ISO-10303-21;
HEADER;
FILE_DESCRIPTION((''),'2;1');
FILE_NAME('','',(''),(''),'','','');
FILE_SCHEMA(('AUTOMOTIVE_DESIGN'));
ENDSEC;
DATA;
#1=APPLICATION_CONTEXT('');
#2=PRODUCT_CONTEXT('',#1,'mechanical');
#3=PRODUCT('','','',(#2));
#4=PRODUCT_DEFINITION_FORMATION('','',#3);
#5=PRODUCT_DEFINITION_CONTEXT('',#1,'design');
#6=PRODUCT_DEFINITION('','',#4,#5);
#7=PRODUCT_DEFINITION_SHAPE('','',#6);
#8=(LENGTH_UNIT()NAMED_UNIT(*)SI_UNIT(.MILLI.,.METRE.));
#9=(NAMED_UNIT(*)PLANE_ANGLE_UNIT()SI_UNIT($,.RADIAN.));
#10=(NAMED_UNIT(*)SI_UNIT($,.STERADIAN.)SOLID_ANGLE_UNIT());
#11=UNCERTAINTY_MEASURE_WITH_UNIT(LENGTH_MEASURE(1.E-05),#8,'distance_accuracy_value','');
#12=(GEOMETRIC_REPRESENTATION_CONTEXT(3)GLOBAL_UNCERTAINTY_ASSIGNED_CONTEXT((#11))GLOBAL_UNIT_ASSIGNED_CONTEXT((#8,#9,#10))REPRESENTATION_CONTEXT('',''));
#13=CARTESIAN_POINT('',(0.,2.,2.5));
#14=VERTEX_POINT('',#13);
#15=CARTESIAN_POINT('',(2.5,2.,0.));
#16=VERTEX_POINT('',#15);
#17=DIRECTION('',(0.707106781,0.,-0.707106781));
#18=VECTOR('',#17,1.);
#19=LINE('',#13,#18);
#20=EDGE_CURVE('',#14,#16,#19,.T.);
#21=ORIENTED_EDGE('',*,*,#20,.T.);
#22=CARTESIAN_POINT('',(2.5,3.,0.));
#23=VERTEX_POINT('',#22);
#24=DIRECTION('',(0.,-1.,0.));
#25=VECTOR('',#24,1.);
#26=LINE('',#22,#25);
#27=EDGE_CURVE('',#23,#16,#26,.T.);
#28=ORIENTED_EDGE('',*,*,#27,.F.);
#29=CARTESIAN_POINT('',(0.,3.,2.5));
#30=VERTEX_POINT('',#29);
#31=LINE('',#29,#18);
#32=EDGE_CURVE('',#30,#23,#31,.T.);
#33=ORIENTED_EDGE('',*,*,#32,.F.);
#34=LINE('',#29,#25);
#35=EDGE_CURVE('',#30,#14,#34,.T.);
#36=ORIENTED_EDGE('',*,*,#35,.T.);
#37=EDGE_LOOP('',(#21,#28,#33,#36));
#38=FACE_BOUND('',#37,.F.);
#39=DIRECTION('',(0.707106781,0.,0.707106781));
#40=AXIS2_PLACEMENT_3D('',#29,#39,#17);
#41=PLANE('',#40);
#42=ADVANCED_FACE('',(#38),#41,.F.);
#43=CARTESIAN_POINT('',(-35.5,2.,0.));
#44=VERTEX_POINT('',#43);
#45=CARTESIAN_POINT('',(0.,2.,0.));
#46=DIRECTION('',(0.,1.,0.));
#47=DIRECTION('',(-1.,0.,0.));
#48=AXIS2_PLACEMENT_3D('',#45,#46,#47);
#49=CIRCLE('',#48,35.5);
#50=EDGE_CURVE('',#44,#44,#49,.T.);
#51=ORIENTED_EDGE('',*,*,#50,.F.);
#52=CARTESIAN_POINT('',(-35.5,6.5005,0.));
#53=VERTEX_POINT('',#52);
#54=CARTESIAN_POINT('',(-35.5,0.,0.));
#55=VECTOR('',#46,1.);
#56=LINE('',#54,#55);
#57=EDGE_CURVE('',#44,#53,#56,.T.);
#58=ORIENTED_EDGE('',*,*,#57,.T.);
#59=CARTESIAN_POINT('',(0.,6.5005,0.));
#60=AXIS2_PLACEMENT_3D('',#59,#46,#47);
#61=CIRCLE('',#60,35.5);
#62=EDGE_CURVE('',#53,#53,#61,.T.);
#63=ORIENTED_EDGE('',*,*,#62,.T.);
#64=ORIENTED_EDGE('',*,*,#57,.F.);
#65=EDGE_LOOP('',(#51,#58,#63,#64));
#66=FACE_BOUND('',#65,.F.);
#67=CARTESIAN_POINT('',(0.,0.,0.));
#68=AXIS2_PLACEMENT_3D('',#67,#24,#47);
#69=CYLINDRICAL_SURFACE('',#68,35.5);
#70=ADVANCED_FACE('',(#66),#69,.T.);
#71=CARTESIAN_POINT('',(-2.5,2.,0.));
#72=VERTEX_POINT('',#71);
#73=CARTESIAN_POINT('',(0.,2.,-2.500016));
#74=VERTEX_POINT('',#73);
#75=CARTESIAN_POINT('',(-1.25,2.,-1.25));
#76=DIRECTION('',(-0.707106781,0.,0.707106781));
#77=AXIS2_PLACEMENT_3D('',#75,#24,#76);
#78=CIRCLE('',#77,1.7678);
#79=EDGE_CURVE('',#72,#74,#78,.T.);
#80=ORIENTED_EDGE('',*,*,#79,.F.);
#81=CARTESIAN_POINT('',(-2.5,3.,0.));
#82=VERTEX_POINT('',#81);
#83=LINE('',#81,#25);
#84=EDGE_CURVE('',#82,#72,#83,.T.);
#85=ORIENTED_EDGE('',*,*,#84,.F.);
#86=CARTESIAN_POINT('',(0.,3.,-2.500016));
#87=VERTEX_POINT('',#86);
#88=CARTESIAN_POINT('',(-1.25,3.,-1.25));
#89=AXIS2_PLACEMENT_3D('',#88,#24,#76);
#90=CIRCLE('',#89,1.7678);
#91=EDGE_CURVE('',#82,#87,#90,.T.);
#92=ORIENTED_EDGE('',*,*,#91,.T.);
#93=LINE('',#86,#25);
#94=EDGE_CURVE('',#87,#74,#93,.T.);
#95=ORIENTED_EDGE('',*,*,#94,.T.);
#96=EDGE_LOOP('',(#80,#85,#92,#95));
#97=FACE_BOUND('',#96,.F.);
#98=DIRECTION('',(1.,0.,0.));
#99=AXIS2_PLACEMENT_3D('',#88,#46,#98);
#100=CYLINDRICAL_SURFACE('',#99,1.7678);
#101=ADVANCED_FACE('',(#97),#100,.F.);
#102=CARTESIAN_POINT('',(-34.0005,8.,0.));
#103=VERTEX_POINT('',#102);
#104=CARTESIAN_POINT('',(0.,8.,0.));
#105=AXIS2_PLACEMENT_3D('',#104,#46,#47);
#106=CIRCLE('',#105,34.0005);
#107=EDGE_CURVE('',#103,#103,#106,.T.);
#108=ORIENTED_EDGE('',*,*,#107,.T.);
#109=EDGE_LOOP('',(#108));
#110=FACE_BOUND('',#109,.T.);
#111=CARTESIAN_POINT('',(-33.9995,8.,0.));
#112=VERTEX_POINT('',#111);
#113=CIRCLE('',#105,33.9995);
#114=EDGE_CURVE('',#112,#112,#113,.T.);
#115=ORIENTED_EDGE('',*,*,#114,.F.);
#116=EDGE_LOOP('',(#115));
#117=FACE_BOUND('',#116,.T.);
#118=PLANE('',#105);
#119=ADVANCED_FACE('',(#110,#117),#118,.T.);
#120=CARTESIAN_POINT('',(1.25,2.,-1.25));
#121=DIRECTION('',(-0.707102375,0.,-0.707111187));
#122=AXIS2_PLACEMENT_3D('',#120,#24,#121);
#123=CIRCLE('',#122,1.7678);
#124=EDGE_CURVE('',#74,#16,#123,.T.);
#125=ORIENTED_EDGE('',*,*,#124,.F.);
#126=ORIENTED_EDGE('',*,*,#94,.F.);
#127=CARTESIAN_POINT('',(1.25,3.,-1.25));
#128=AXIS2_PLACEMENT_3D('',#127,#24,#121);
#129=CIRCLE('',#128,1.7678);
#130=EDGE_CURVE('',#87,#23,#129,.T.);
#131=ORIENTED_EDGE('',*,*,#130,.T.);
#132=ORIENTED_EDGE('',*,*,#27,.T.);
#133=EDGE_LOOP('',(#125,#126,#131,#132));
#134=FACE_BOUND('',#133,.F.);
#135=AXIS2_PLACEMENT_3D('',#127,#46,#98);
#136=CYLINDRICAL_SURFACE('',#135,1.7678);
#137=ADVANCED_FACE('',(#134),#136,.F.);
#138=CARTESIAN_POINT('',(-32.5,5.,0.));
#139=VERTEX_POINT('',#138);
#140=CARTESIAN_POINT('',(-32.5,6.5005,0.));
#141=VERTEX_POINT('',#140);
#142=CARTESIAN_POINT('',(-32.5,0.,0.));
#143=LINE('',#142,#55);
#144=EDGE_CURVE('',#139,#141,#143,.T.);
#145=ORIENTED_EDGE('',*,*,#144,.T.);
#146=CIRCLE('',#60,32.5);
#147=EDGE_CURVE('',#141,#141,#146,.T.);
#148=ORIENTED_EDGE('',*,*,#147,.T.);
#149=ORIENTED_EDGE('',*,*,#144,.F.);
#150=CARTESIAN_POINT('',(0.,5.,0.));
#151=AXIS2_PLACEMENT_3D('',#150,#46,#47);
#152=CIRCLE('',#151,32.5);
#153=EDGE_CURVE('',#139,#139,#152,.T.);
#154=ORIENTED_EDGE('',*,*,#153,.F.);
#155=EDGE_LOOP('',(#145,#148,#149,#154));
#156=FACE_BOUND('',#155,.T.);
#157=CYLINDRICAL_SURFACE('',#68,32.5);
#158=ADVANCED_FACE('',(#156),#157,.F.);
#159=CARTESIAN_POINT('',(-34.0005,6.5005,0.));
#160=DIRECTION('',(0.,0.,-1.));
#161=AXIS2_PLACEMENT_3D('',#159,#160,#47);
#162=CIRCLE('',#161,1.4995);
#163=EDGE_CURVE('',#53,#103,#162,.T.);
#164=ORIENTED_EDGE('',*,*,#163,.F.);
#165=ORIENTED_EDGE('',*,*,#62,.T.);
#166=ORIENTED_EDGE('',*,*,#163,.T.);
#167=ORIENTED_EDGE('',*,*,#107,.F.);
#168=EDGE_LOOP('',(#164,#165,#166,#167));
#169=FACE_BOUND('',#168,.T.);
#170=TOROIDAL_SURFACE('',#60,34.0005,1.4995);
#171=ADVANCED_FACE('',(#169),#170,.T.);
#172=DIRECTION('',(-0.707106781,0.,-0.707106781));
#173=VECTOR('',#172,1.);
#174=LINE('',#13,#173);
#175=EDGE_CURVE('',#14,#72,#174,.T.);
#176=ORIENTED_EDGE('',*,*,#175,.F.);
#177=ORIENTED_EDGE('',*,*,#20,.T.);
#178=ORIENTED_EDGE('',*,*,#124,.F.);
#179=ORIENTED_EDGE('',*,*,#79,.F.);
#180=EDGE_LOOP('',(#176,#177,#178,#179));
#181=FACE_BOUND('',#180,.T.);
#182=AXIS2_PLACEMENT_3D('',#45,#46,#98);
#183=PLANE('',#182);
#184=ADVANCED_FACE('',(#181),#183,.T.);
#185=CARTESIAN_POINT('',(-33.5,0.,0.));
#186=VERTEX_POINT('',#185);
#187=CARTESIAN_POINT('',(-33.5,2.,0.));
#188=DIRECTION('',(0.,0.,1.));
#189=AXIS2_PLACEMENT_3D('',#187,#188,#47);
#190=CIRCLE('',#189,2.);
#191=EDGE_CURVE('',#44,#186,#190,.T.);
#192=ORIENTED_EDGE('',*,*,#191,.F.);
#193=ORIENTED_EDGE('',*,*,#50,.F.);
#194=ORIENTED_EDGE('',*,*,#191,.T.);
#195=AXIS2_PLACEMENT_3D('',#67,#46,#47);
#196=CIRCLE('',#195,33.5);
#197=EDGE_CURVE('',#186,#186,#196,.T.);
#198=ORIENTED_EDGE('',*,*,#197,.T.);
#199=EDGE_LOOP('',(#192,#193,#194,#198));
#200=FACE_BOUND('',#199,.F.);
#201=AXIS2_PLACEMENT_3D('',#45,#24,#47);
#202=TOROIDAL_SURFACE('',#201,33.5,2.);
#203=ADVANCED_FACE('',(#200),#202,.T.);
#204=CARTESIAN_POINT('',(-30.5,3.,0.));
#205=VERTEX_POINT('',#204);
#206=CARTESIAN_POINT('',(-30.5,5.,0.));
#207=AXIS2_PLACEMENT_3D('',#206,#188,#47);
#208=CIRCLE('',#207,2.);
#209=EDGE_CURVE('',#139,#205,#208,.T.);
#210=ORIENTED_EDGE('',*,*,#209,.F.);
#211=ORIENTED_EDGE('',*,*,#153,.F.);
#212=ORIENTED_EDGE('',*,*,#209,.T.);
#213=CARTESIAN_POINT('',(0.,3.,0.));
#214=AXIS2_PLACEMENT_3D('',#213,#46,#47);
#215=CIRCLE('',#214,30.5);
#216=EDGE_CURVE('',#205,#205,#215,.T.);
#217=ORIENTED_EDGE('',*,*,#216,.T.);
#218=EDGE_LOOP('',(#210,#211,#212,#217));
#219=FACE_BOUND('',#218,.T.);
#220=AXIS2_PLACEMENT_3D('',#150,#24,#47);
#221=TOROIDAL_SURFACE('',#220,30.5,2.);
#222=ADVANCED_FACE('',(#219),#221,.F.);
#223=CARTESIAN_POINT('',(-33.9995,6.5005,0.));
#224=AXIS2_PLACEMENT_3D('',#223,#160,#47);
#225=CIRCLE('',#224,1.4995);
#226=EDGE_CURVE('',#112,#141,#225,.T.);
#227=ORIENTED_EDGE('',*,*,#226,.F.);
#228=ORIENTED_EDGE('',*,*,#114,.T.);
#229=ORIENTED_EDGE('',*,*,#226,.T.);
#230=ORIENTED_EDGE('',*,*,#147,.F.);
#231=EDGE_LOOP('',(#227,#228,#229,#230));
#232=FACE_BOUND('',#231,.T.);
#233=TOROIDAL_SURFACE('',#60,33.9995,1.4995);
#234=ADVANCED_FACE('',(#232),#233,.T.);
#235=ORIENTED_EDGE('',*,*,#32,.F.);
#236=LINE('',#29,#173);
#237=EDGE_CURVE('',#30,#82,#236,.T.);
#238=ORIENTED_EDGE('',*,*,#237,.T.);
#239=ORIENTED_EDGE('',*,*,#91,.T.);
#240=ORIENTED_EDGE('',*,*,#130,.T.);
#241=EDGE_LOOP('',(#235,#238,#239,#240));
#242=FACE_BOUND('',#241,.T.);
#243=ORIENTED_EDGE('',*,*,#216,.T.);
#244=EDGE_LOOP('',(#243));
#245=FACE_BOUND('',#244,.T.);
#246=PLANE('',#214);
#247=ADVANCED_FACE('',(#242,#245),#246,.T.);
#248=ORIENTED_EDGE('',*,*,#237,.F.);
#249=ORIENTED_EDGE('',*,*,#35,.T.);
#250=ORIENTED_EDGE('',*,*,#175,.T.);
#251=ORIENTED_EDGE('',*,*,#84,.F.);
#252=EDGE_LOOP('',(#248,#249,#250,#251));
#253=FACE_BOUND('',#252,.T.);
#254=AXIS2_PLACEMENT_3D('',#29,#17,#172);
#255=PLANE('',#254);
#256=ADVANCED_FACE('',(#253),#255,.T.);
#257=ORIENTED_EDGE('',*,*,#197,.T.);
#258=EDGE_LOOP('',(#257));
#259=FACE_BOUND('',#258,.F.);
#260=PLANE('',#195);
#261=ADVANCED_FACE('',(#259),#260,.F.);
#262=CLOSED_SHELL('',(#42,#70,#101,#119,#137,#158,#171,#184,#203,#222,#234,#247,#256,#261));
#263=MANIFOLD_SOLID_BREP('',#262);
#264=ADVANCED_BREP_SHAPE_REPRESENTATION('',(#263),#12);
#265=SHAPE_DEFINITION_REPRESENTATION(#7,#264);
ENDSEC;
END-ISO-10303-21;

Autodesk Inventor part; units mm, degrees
ref_plane "YZ Plane" through (0, 0, 0) normal (1, 0, 0) x (0, 1, 0)
ref_plane "XZ Plane" through (0, 0, 0) normal (0, 1, 0) x (-1, 0, 0)
ref_plane "XY Plane" through (0, 0, 0) normal (0, 0, 1) x (1, 0, 0)
sketch "Sketch1" plane through (0, 0, 0) normal (0, 1, 0) x (-1, 0, 0)
  circle A0 centre (0, 0) radius 32.5
  circle A1 centre (0, 0) radius 35.5
  dimension "d0" = 65
  dimension "d1" = 71
extrude "Extrusion1" add sketch "Sketch1" along normal blind 8
extrude "Extrusion2" add sketch "Sketch1" along normal blind 3 contours A0
fillet "Fillet1" radius 2 2 edges at (35.5, 0, 0) (32.5, 3, 0)
fillet "Fillet2" radius 1.5 2 edges at (32.5, 8, 0) (35.5, 8, 0)
sketch "Sketch2" plane through (0, 3, 0) normal (0, 1, 0) x (1, 0, 0)
  line L0 (-2.5, -2.5) -> (2.5, -2.5)
  line L1 (2.5, -2.5) -> (2.5, 2.5)
  line L2 (2.5, 2.5) -> (-2.5, 2.5)
  line L3 (-2.5, 2.5) -> (-2.5, -2.5)
  line L4 (-2.5, -2.5) -> (2.5, 2.5) construction
  line L5 (2.5, -2.5) -> (-2.5, 2.5) construction
  line L6 (0, -2.5) -> (2.5, 0)
  line L7 (0, -2.5) -> (-2.5, 0)
  circle A0 centre (1.25, 1.25) radius 1.7678
  circle A1 centre (-1.25, 1.25) radius 1.7678
  point P0 (0, 0)
  point P1 (0, 2.5)
  dimension "d8" = 5
  dimension "d9" = 5
extrude "Extrusion3" cut sketch "Sketch2" against normal blind 1 contours L7 A1 A0 L6 | A1 L3 | L3 L2 A0 A1 | A0 A1 L2 L1 | L1 A0 | A1 L2 | A0 A1 | L2 A0
properties part number "Orchid Coaster V3"
